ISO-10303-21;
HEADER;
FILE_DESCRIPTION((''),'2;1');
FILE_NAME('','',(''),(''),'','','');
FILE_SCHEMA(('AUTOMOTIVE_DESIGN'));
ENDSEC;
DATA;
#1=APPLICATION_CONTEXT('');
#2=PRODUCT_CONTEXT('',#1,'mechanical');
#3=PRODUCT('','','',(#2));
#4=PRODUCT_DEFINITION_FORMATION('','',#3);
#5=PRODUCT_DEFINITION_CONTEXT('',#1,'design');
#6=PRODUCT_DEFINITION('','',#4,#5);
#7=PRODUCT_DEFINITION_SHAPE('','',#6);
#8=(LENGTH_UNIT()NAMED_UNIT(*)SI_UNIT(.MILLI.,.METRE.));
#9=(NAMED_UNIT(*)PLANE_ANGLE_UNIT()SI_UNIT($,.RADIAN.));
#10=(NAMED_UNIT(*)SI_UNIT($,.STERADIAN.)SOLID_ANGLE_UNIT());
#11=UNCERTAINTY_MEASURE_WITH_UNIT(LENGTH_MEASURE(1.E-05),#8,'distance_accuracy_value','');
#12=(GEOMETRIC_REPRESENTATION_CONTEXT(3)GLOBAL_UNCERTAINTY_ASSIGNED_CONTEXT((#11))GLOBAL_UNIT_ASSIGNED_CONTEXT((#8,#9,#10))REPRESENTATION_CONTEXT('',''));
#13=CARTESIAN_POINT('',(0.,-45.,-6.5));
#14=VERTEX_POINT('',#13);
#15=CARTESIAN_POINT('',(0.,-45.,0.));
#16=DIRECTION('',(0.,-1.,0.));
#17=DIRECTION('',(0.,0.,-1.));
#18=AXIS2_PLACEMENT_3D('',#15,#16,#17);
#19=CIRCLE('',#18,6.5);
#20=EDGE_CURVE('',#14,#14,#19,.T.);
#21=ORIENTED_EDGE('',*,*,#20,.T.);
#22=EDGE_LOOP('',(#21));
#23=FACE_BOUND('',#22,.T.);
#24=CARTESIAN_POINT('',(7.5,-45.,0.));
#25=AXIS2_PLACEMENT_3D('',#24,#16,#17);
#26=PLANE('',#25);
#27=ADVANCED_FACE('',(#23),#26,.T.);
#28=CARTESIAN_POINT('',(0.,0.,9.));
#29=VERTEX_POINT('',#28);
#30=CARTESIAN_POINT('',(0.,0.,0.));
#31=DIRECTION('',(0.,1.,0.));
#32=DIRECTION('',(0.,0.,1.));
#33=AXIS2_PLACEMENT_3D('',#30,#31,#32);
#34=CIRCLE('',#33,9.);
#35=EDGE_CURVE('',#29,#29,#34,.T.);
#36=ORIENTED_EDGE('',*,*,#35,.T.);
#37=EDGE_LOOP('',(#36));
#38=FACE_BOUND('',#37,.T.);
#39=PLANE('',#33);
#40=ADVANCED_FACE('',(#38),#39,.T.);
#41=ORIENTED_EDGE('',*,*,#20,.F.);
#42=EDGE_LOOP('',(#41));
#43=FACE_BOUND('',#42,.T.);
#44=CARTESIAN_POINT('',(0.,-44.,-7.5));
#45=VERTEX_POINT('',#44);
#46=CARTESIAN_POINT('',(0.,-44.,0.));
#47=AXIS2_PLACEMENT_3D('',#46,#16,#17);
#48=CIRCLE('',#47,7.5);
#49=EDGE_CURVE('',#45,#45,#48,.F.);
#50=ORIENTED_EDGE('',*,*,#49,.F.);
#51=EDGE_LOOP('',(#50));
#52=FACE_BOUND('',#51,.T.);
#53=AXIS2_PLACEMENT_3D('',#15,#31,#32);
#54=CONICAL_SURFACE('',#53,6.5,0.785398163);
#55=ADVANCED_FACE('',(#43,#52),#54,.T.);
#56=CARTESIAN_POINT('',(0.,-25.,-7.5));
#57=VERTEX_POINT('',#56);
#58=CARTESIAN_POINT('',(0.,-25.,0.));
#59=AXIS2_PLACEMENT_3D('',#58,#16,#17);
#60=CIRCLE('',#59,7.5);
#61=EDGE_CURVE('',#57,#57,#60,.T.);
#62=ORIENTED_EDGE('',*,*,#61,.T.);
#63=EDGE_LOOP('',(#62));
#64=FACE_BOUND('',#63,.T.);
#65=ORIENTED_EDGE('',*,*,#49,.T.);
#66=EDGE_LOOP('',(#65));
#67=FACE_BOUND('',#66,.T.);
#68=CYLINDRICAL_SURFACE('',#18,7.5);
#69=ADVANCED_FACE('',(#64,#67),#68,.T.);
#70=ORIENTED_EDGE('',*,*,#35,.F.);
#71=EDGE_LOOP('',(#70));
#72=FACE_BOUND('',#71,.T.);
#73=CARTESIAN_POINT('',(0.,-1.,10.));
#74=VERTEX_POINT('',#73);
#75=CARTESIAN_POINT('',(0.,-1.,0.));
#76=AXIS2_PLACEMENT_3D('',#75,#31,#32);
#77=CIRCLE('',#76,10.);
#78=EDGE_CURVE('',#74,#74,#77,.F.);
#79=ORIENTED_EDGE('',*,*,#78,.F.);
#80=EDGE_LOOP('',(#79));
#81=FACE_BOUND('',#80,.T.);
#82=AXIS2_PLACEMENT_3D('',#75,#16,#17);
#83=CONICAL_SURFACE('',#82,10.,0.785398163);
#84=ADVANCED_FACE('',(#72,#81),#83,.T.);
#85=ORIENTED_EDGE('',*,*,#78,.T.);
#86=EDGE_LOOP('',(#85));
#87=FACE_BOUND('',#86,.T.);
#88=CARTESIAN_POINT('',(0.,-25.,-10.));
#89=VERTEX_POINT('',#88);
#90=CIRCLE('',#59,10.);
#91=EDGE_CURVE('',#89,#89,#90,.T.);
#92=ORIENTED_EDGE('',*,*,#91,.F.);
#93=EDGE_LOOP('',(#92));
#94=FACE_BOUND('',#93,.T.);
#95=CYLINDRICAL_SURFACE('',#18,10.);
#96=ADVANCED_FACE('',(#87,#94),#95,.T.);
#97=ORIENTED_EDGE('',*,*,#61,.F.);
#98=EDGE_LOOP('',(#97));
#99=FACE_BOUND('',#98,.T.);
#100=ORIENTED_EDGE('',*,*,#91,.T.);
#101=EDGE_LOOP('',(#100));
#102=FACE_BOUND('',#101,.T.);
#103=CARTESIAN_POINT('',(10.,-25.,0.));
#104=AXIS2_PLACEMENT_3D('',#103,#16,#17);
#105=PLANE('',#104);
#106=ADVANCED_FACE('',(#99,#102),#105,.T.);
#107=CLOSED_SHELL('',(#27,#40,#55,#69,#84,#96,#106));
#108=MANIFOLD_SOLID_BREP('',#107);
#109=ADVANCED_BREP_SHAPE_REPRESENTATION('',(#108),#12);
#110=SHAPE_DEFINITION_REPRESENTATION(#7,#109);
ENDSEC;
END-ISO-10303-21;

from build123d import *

# Parameters (mm, degrees)
CHAMFER_1_SIZE = 1


with BuildPart() as part:
    # 草图1 → 旋转1 (revolve)
    with BuildSketch(Plane.XY):
        Polygon((0, 0), (10, 0), (10, -25), (7.5, -25), (7.5, -45), (0, -45), align=None)
    revolve(axis=Axis((0, -45, 0), (0, 1, 0)))

    # 倒角1
    chamfer_1_edges = [part.edges().sort_by_distance(p)[0] for p in [
        (-7.5, -45, 0),
        (-10, 0, 0),
    ]]
    chamfer(chamfer_1_edges, length=CHAMFER_1_SIZE)


solid = part.part
